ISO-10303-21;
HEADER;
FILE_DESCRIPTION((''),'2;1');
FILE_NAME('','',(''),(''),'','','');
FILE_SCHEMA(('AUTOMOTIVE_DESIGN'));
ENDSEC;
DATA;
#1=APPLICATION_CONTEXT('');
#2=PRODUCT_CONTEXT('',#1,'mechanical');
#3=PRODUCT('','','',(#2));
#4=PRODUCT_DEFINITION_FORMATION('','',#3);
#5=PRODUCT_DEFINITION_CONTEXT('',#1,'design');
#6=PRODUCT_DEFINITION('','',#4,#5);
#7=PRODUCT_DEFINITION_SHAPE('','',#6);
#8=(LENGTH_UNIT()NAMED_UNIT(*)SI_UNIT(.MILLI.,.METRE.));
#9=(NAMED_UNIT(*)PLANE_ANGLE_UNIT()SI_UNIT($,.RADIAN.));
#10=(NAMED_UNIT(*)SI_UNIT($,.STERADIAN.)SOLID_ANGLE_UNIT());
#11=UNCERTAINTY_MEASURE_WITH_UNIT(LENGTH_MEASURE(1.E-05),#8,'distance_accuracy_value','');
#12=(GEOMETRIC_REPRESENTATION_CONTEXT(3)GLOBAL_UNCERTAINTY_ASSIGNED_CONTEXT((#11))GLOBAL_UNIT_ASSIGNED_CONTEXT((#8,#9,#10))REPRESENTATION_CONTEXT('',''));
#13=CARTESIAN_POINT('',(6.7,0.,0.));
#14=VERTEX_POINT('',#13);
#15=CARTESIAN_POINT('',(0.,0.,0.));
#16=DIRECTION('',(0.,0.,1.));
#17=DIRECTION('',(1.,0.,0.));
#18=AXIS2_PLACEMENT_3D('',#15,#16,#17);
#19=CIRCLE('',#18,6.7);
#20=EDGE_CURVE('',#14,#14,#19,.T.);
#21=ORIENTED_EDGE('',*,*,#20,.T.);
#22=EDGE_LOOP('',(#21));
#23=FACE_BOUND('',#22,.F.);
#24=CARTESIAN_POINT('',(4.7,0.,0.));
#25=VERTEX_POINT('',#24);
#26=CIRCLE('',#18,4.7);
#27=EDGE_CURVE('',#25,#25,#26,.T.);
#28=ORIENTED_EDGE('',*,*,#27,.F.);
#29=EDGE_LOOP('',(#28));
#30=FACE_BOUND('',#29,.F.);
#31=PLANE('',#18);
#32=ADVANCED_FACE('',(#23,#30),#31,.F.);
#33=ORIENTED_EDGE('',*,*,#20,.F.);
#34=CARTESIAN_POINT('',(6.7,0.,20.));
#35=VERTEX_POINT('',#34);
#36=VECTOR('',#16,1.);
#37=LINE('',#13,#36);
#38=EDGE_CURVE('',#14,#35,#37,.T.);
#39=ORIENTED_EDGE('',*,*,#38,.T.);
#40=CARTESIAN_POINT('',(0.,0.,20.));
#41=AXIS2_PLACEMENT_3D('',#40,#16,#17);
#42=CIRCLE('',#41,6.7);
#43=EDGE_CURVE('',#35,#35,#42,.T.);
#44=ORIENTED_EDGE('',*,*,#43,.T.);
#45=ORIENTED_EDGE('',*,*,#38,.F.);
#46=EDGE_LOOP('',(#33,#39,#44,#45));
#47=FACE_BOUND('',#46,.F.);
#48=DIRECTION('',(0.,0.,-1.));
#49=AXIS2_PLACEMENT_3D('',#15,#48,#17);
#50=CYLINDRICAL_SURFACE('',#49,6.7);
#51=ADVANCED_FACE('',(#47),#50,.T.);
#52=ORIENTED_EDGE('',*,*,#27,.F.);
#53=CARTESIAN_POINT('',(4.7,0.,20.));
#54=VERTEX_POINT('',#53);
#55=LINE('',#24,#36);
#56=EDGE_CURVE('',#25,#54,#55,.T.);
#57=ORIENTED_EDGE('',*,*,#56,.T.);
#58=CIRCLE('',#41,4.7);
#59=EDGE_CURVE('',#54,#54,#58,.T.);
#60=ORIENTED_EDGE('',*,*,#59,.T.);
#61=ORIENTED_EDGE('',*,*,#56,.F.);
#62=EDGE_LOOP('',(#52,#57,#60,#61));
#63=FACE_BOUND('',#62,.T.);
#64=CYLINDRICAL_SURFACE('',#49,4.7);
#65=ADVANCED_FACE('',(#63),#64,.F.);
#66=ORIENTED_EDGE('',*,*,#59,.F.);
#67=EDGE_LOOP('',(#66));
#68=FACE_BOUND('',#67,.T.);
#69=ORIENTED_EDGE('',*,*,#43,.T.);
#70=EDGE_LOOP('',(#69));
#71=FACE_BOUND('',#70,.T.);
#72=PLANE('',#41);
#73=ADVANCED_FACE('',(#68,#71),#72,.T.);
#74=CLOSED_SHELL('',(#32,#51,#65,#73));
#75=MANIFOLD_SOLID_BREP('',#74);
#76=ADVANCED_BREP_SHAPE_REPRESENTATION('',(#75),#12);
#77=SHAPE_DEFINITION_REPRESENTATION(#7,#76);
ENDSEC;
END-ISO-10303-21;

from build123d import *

# Parameters (mm, degrees)
SKETCH_R   = 6.7
SKETCH_R_2 = 4.7
PAD_DEPTH  = 20


with BuildPart() as part:
    # Sketch → Pad (new body)
    with BuildSketch(Plane.XY):
        Circle(SKETCH_R)
        Circle(SKETCH_R_2, mode=Mode.SUBTRACT)
    extrude(amount=PAD_DEPTH)


solid = part.part
